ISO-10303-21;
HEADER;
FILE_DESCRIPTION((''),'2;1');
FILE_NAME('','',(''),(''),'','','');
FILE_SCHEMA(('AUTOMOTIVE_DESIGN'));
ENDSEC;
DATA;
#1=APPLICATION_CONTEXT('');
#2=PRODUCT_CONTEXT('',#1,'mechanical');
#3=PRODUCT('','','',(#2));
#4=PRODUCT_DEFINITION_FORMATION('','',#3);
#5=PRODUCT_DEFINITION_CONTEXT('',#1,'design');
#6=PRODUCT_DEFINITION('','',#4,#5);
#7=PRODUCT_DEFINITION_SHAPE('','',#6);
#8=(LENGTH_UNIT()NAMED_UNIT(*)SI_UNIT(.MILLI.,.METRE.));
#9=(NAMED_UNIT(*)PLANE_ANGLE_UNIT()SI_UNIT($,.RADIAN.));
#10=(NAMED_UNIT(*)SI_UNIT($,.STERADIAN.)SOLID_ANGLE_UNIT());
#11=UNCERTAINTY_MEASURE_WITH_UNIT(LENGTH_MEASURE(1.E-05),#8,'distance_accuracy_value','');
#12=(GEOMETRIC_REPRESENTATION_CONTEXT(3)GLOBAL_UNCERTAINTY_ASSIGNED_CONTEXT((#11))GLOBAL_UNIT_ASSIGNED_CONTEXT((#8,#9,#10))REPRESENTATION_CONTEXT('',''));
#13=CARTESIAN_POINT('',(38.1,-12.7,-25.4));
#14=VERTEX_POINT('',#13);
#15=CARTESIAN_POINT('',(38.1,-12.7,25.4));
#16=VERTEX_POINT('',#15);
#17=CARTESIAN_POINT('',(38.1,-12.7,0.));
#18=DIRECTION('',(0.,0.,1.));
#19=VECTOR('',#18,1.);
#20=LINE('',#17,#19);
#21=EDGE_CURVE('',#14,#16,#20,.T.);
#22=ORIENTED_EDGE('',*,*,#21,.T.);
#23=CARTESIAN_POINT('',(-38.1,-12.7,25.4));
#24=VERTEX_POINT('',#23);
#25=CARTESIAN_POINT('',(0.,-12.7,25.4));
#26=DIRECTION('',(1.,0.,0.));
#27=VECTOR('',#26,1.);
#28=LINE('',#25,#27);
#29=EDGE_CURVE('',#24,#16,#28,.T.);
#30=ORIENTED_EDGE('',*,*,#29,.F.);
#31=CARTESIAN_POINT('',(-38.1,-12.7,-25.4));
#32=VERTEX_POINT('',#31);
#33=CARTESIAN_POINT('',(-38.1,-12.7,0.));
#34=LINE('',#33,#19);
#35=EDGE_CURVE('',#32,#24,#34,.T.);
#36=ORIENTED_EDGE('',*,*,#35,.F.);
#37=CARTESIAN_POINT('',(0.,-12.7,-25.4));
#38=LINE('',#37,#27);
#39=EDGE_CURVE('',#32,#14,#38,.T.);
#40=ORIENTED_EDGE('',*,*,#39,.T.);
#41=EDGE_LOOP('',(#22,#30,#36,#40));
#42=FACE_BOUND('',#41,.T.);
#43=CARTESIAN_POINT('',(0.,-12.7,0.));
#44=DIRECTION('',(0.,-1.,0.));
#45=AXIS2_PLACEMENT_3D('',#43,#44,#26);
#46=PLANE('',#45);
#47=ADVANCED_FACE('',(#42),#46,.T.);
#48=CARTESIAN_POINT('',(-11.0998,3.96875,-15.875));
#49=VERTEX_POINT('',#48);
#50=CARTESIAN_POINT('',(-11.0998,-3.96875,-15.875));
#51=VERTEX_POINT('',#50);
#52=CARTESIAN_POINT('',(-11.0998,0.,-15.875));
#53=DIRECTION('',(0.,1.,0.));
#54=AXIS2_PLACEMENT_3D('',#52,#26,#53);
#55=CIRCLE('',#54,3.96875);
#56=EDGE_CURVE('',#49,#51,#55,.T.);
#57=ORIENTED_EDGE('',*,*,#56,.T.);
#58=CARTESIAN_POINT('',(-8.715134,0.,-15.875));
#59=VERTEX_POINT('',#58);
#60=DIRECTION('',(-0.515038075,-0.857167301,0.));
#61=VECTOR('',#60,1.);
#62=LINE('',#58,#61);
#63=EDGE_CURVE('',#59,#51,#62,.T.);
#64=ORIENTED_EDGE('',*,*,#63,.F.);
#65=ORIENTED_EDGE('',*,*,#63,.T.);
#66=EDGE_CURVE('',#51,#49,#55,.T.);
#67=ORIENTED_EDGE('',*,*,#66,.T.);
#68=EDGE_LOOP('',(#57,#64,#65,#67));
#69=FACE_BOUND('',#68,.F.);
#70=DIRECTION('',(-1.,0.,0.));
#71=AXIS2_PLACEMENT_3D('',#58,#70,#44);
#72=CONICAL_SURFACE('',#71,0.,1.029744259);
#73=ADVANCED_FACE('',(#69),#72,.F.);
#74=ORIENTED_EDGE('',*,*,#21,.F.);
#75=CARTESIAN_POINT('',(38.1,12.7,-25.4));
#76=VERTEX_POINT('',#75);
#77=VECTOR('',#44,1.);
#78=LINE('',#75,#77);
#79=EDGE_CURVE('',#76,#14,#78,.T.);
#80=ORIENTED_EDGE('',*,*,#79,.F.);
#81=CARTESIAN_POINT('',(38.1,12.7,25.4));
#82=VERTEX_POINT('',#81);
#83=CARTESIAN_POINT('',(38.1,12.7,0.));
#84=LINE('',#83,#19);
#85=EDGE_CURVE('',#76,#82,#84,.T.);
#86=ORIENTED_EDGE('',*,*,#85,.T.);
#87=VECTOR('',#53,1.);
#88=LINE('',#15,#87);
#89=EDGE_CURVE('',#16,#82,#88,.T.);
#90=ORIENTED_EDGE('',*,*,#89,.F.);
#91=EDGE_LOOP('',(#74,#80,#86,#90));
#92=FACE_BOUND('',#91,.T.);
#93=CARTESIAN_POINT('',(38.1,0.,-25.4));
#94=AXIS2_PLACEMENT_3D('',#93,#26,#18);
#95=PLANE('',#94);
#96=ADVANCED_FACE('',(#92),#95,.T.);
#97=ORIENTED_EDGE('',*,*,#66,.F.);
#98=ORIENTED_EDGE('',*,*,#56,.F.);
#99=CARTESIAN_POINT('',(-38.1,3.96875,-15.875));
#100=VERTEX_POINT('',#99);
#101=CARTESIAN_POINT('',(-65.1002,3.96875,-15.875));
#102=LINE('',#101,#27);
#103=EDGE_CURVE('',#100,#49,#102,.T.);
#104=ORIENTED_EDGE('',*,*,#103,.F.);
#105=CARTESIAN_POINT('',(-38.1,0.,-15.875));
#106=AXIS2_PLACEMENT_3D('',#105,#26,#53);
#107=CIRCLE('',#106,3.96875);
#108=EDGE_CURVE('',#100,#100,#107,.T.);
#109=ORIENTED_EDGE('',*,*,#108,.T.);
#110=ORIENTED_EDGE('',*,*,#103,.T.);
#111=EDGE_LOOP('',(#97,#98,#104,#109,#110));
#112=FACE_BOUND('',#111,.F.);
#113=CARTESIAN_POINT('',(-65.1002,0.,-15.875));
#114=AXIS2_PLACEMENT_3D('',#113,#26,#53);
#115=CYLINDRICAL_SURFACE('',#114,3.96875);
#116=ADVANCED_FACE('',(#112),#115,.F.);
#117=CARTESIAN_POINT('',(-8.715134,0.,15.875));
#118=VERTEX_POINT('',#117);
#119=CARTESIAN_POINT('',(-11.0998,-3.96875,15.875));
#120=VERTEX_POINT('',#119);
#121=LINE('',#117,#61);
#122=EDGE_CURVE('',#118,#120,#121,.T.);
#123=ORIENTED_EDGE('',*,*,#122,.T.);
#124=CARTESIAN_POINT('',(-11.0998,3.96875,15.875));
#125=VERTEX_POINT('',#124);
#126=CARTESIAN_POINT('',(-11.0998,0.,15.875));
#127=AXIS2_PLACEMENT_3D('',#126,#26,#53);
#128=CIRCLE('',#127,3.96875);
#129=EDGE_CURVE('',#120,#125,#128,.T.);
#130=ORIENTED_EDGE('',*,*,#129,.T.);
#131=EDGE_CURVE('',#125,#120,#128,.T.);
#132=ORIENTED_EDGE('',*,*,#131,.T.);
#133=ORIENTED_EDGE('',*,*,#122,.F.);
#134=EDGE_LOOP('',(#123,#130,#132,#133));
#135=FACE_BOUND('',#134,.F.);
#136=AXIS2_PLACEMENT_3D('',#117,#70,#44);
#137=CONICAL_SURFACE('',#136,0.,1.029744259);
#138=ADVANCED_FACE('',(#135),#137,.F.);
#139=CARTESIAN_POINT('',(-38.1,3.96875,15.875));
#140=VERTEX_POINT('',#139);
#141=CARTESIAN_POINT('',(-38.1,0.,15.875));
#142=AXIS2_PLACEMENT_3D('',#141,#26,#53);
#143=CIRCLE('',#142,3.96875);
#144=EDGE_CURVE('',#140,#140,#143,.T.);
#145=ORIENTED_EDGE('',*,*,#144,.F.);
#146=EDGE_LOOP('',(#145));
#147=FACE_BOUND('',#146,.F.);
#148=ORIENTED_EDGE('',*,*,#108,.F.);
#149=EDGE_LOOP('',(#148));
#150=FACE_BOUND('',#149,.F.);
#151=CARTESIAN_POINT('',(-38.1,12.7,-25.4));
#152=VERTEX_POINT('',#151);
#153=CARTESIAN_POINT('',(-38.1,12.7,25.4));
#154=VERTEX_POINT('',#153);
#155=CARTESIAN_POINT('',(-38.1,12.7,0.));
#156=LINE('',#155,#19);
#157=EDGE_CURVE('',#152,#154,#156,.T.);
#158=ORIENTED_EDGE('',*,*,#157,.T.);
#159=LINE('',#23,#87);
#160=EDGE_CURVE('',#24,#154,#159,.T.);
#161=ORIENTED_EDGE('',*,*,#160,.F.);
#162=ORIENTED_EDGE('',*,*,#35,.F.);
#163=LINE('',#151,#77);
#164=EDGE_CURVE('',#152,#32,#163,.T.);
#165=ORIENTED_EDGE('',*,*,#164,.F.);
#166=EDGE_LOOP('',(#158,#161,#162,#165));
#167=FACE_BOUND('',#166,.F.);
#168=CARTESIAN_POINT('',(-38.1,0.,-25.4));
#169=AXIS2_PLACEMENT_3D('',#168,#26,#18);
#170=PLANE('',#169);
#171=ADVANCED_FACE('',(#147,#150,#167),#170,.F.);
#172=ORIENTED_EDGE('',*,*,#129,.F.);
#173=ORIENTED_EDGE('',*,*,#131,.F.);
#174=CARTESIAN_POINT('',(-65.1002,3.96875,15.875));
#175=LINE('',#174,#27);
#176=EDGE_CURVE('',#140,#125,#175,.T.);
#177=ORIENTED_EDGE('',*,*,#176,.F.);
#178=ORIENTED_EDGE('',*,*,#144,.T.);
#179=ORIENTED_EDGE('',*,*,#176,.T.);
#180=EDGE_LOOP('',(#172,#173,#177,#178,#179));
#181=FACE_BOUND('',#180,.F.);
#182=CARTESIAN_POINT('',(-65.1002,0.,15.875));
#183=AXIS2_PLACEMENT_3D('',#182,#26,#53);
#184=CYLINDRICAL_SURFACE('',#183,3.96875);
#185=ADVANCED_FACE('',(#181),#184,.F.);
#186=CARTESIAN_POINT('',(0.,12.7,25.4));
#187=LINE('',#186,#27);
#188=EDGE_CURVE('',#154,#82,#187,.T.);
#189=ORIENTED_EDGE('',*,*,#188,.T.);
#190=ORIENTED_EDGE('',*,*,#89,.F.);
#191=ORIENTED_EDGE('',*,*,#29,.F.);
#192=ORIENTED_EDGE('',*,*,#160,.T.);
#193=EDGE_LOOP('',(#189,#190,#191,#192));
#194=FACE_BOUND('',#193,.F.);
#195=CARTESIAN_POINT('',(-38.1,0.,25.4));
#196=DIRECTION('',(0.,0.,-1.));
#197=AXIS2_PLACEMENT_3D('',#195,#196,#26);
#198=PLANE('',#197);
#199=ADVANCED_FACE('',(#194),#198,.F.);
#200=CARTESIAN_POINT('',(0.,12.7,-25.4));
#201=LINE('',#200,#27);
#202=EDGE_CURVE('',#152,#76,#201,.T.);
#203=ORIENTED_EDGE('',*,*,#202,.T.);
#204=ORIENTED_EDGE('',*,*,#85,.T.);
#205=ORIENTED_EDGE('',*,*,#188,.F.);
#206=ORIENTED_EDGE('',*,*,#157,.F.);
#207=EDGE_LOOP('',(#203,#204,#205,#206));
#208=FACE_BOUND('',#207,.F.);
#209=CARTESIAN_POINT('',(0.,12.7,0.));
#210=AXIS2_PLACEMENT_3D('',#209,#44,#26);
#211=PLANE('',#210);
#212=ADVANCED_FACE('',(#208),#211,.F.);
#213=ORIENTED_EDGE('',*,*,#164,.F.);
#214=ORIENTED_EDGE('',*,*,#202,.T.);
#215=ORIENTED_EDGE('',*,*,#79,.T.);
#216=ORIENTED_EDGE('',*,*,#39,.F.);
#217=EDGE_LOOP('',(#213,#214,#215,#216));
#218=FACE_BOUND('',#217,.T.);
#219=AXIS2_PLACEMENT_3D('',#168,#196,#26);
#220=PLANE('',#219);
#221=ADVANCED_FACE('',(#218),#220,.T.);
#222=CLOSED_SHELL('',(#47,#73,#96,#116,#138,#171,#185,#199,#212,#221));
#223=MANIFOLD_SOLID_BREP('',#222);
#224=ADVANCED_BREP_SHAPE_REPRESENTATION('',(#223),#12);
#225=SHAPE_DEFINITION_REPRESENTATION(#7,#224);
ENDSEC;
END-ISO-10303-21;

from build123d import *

# Parameters (mm, degrees)
F0_W     = 76.2
F0_H     = 50.8
F1_DEPTH = 12.7
F3_D     = 7.9375
F3_DEPTH = 27.0002
F3_TIP   = 2.3846655818


with BuildPart() as f1:
    # F0 (on Front) → F1 (new body, symmetric)
    with BuildSketch(Plane.XZ):
        Rectangle(F0_W, F0_H)
    extrude(amount=F1_DEPTH, both=True)

    # F3
    with Locations(Plane(origin=(-38.1, 0, 0), x_dir=(0, -1, 0), z_dir=(-1, 0, 0))):
        with Locations((0, 15.875), (0, -15.875)):
            Hole(F3_D / 2, depth=F3_DEPTH)
            with Locations((0, 0, -(F3_DEPTH + F3_TIP / 2))):  # 118° drill point
                Cone(0, F3_D / 2, F3_TIP, mode=Mode.SUBTRACT)


solid = f1.part
